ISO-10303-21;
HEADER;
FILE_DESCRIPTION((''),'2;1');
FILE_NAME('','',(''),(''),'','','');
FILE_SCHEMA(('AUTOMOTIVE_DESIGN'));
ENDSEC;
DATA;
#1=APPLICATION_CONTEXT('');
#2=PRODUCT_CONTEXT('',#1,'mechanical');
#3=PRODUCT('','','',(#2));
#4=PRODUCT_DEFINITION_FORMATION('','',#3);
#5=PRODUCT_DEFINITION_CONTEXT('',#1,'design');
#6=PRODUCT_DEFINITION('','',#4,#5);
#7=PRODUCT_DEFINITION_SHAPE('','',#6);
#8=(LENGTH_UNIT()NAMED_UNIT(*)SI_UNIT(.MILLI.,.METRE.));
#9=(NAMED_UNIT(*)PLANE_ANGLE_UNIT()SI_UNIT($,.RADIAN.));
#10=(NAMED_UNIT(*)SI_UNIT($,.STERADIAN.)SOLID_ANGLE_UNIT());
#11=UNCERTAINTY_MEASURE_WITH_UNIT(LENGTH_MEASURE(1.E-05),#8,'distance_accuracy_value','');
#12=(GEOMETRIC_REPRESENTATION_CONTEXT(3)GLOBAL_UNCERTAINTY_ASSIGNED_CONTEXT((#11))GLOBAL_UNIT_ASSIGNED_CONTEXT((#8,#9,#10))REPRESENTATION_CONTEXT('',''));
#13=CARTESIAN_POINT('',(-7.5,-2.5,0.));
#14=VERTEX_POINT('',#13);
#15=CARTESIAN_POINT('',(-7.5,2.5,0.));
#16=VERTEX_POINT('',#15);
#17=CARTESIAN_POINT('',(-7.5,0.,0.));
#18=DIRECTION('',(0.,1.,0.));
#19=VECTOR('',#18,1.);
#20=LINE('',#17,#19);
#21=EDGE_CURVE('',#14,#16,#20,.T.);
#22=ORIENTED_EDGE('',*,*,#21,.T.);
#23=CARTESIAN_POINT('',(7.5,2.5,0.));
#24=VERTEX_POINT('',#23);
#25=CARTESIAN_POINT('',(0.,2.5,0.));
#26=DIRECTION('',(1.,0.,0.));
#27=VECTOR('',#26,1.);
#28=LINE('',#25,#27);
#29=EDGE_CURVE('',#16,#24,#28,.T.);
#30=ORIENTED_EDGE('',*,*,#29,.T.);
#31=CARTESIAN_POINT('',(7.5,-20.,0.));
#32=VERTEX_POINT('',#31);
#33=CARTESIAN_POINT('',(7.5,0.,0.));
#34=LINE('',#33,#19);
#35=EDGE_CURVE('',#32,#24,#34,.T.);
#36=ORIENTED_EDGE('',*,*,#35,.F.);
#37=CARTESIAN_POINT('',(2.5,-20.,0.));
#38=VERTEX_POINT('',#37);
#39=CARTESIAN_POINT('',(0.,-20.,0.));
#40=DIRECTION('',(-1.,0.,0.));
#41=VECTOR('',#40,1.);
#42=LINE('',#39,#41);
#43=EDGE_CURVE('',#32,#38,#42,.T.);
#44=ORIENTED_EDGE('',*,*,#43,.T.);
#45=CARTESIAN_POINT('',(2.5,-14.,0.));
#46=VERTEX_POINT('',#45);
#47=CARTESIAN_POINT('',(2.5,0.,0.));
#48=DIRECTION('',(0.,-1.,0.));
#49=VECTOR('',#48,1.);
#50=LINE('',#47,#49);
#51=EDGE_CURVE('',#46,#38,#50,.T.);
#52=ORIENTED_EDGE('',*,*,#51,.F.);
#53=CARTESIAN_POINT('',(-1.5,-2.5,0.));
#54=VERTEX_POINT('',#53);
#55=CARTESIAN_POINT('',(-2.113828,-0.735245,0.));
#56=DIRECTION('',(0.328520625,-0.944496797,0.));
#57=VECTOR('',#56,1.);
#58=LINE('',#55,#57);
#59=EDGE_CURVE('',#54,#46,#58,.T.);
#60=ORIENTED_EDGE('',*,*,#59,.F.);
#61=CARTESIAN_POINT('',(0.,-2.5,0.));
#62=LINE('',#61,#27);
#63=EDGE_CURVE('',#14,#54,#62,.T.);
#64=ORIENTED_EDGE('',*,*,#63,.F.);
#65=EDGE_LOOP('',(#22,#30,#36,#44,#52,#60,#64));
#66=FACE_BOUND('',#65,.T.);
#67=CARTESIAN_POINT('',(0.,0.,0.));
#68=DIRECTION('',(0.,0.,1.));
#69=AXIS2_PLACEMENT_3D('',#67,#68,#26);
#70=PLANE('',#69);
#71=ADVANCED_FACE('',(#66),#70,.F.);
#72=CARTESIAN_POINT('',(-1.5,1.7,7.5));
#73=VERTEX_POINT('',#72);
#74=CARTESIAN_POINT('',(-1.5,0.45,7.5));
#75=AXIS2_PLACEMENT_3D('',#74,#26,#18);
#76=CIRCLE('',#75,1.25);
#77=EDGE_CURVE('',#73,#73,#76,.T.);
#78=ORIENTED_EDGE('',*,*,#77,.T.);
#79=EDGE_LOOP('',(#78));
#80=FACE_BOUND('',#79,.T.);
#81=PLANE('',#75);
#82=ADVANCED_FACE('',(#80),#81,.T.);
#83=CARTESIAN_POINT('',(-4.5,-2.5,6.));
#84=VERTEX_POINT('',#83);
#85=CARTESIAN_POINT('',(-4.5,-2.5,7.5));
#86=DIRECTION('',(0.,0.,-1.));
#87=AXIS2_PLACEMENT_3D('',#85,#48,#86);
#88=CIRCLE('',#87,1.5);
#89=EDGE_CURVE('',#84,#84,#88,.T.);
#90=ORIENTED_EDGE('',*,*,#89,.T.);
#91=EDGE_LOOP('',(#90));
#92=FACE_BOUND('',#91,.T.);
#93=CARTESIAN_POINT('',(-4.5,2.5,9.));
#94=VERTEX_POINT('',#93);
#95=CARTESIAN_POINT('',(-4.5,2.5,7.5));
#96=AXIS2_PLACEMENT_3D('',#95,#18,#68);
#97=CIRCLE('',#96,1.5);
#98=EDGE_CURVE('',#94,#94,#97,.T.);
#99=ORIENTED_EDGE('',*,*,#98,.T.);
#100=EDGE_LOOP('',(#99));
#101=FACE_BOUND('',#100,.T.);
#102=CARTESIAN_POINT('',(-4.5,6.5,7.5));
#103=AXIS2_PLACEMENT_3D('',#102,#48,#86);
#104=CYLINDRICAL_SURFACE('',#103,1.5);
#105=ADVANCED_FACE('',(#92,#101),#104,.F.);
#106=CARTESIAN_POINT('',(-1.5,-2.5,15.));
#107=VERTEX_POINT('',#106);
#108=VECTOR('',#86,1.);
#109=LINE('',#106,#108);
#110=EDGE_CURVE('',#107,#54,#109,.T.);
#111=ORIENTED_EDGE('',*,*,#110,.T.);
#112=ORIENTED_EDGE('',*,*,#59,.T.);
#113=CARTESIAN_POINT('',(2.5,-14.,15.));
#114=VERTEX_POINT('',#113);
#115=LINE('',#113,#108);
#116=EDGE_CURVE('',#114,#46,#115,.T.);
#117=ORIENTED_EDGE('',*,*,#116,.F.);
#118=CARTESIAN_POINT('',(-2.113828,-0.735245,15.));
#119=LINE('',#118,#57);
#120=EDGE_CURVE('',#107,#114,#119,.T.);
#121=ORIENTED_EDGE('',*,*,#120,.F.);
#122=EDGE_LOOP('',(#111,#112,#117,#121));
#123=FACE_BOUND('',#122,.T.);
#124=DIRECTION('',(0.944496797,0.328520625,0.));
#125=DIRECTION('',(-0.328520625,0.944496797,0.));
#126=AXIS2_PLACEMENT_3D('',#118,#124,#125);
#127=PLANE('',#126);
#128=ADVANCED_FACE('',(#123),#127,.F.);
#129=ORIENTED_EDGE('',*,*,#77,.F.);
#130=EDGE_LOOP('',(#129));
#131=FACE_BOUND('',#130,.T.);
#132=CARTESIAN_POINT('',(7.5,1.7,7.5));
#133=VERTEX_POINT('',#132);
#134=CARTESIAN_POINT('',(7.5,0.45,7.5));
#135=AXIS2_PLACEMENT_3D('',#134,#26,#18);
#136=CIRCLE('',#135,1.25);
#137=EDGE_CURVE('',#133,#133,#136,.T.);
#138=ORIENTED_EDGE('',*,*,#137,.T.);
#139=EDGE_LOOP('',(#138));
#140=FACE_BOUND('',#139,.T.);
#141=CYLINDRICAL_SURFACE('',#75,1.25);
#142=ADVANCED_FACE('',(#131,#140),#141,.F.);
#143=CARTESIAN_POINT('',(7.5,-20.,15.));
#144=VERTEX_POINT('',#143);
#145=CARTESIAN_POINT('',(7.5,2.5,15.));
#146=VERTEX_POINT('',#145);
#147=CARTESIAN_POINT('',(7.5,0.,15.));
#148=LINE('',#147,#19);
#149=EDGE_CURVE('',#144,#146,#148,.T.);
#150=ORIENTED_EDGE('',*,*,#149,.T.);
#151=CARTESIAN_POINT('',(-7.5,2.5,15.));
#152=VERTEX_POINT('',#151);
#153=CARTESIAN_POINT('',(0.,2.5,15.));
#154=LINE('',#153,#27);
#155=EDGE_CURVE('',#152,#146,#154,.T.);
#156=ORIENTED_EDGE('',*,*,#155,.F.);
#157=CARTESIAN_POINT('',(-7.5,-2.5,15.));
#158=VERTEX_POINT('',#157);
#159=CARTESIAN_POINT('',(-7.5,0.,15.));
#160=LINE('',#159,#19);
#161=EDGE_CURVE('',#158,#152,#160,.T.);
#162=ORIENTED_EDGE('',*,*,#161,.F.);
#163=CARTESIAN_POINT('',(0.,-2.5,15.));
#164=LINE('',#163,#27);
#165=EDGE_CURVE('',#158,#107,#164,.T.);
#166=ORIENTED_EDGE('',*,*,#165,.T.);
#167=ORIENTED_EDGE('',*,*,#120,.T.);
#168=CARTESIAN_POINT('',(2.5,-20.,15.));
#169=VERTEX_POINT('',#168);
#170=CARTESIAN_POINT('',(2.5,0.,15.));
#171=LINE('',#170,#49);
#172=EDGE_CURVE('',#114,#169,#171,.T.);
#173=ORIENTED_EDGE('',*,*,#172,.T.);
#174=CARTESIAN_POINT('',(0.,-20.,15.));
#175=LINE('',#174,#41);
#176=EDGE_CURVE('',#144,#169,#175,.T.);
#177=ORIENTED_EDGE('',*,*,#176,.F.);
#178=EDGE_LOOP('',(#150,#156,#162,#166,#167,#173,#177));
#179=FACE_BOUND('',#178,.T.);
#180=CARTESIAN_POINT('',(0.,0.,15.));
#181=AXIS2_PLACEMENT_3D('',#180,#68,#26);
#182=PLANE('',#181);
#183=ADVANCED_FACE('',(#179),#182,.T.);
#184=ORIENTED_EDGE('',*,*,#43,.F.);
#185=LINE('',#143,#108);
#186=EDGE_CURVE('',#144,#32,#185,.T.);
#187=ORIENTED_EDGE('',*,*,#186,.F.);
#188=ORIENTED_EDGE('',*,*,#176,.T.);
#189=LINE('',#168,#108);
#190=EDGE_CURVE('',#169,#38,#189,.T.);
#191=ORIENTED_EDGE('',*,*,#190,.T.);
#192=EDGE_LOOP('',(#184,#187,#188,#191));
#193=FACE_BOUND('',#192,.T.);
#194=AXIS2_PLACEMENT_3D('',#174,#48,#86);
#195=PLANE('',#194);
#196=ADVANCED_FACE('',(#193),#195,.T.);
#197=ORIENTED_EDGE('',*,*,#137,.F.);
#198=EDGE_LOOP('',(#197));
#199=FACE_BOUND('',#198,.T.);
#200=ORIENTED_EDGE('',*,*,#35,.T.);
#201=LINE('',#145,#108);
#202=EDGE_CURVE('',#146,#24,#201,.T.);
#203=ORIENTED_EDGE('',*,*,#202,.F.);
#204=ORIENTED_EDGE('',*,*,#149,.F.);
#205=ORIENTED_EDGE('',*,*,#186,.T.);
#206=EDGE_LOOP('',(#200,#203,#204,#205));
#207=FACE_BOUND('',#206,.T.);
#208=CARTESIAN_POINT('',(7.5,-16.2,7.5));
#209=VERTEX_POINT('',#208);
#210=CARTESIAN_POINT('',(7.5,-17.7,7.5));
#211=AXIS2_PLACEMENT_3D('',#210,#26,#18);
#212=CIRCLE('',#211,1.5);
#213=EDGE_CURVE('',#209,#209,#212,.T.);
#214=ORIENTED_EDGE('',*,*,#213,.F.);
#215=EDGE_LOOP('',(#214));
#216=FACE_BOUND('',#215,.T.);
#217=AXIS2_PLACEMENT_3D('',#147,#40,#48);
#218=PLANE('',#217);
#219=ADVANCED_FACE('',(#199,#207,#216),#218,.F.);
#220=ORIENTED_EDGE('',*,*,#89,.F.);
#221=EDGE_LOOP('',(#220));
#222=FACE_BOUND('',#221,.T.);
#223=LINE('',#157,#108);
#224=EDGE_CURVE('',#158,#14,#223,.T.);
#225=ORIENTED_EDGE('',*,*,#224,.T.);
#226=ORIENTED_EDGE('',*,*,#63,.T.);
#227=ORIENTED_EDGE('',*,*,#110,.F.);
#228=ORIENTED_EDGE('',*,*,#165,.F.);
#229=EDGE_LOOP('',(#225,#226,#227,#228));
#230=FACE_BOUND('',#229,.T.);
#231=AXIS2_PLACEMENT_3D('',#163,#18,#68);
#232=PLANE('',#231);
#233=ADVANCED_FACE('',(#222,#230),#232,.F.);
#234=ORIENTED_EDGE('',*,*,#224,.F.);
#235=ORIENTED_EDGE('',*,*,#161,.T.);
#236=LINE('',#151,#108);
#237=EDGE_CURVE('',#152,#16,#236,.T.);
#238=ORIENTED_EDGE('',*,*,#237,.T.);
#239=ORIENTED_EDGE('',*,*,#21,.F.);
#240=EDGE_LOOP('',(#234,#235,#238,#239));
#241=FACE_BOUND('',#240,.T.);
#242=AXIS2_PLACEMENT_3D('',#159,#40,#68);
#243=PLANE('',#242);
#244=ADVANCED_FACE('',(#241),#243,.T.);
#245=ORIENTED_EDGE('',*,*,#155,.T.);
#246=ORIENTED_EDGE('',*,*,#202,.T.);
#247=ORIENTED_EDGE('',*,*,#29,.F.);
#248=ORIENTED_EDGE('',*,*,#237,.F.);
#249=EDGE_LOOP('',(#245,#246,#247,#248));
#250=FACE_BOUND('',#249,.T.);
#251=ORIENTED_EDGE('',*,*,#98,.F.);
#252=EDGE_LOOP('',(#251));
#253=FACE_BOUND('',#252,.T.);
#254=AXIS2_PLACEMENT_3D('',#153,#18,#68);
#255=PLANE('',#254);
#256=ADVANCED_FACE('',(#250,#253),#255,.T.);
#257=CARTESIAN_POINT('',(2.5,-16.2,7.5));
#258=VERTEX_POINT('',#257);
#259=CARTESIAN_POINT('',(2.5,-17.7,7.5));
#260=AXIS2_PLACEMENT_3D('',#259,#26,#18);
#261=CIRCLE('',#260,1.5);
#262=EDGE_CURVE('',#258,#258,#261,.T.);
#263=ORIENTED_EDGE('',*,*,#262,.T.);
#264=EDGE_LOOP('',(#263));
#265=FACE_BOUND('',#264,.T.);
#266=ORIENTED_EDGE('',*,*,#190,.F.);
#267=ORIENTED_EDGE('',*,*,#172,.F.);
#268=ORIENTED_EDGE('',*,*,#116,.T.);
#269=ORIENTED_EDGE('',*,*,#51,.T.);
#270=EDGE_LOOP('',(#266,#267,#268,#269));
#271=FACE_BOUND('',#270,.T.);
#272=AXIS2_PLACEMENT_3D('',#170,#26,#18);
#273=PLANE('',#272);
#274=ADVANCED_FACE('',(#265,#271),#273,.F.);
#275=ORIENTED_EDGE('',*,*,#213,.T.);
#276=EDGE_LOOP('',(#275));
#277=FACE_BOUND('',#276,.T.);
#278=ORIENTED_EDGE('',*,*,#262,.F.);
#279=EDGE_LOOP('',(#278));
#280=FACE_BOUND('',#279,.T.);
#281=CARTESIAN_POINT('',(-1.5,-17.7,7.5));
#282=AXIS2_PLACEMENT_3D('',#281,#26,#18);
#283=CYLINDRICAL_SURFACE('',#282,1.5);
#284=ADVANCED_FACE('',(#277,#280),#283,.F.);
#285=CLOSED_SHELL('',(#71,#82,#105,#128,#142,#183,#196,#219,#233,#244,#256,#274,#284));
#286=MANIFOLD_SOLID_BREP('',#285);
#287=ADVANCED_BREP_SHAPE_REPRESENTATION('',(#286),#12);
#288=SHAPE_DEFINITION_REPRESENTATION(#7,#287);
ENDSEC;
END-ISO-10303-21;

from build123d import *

# Parameters (mm, degrees)
SKIZZE1_W                       = 5
SKIZZE1_H                       = 5
AUFSATZ_LINEAR_AUSTRAGEN1_DEPTH = 15
SKIZZE2_R                       = 1.25
SKIZZE2_R_2                     = 1.5
SCHNITT_LINEAR_AUSTRAGEN1_DEPTH = 9
SKIZZE3_R                       = 1.5
SCHNITT_LINEAR_AUSTRAGEN2_DEPTH = 9


with BuildPart() as part:
    # Skizze1 → Aufsatz-Linear austragen1 (new body)
    with BuildSketch(Plane.XY):
        Polygon((-7.5, -2.5), (-1.5, -2.5), (2.5, -2.5), (2.5, 2.5), (-7.5, 2.5), align=None)
        with Locations((5, 0)):
            Rectangle(SKIZZE1_W, SKIZZE1_H)
        Polygon((2.5, -2.5), (-1.5, -2.5), (2.5, -14), align=None)
        Polygon((2.5, -2.5), (2.5, -14), (2.5, -20), (7.5, -20), (7.5, -2.5), align=None)
    extrude(amount=AUFSATZ_LINEAR_AUSTRAGEN1_DEPTH)

    # Skizze2 → Schnitt-Linear austragen1 (cut)
    with BuildSketch(Plane(origin=(7.5, 0, 0), x_dir=(0, 0, -1), z_dir=(1, 0, 0))):
        with Locations(Location((-7.5, 0.45, 0), (0, 0, 90))):
            Circle(SKIZZE2_R)
        with Locations(Location((-7.5, -17.7, 0), (0, 0, 90))):
            Circle(SKIZZE2_R_2)
    extrude(amount=-SCHNITT_LINEAR_AUSTRAGEN1_DEPTH, mode=Mode.SUBTRACT)

    # Skizze3 → Schnitt-Linear austragen2 (cut)
    with BuildSketch(Plane.XZ.offset(2.5)):
        with Locations(Location((-4.5, 7.5, 0), (0, 0, 270))):
            Circle(SKIZZE3_R)
    extrude(amount=-SCHNITT_LINEAR_AUSTRAGEN2_DEPTH, mode=Mode.SUBTRACT)


solid = part.part
